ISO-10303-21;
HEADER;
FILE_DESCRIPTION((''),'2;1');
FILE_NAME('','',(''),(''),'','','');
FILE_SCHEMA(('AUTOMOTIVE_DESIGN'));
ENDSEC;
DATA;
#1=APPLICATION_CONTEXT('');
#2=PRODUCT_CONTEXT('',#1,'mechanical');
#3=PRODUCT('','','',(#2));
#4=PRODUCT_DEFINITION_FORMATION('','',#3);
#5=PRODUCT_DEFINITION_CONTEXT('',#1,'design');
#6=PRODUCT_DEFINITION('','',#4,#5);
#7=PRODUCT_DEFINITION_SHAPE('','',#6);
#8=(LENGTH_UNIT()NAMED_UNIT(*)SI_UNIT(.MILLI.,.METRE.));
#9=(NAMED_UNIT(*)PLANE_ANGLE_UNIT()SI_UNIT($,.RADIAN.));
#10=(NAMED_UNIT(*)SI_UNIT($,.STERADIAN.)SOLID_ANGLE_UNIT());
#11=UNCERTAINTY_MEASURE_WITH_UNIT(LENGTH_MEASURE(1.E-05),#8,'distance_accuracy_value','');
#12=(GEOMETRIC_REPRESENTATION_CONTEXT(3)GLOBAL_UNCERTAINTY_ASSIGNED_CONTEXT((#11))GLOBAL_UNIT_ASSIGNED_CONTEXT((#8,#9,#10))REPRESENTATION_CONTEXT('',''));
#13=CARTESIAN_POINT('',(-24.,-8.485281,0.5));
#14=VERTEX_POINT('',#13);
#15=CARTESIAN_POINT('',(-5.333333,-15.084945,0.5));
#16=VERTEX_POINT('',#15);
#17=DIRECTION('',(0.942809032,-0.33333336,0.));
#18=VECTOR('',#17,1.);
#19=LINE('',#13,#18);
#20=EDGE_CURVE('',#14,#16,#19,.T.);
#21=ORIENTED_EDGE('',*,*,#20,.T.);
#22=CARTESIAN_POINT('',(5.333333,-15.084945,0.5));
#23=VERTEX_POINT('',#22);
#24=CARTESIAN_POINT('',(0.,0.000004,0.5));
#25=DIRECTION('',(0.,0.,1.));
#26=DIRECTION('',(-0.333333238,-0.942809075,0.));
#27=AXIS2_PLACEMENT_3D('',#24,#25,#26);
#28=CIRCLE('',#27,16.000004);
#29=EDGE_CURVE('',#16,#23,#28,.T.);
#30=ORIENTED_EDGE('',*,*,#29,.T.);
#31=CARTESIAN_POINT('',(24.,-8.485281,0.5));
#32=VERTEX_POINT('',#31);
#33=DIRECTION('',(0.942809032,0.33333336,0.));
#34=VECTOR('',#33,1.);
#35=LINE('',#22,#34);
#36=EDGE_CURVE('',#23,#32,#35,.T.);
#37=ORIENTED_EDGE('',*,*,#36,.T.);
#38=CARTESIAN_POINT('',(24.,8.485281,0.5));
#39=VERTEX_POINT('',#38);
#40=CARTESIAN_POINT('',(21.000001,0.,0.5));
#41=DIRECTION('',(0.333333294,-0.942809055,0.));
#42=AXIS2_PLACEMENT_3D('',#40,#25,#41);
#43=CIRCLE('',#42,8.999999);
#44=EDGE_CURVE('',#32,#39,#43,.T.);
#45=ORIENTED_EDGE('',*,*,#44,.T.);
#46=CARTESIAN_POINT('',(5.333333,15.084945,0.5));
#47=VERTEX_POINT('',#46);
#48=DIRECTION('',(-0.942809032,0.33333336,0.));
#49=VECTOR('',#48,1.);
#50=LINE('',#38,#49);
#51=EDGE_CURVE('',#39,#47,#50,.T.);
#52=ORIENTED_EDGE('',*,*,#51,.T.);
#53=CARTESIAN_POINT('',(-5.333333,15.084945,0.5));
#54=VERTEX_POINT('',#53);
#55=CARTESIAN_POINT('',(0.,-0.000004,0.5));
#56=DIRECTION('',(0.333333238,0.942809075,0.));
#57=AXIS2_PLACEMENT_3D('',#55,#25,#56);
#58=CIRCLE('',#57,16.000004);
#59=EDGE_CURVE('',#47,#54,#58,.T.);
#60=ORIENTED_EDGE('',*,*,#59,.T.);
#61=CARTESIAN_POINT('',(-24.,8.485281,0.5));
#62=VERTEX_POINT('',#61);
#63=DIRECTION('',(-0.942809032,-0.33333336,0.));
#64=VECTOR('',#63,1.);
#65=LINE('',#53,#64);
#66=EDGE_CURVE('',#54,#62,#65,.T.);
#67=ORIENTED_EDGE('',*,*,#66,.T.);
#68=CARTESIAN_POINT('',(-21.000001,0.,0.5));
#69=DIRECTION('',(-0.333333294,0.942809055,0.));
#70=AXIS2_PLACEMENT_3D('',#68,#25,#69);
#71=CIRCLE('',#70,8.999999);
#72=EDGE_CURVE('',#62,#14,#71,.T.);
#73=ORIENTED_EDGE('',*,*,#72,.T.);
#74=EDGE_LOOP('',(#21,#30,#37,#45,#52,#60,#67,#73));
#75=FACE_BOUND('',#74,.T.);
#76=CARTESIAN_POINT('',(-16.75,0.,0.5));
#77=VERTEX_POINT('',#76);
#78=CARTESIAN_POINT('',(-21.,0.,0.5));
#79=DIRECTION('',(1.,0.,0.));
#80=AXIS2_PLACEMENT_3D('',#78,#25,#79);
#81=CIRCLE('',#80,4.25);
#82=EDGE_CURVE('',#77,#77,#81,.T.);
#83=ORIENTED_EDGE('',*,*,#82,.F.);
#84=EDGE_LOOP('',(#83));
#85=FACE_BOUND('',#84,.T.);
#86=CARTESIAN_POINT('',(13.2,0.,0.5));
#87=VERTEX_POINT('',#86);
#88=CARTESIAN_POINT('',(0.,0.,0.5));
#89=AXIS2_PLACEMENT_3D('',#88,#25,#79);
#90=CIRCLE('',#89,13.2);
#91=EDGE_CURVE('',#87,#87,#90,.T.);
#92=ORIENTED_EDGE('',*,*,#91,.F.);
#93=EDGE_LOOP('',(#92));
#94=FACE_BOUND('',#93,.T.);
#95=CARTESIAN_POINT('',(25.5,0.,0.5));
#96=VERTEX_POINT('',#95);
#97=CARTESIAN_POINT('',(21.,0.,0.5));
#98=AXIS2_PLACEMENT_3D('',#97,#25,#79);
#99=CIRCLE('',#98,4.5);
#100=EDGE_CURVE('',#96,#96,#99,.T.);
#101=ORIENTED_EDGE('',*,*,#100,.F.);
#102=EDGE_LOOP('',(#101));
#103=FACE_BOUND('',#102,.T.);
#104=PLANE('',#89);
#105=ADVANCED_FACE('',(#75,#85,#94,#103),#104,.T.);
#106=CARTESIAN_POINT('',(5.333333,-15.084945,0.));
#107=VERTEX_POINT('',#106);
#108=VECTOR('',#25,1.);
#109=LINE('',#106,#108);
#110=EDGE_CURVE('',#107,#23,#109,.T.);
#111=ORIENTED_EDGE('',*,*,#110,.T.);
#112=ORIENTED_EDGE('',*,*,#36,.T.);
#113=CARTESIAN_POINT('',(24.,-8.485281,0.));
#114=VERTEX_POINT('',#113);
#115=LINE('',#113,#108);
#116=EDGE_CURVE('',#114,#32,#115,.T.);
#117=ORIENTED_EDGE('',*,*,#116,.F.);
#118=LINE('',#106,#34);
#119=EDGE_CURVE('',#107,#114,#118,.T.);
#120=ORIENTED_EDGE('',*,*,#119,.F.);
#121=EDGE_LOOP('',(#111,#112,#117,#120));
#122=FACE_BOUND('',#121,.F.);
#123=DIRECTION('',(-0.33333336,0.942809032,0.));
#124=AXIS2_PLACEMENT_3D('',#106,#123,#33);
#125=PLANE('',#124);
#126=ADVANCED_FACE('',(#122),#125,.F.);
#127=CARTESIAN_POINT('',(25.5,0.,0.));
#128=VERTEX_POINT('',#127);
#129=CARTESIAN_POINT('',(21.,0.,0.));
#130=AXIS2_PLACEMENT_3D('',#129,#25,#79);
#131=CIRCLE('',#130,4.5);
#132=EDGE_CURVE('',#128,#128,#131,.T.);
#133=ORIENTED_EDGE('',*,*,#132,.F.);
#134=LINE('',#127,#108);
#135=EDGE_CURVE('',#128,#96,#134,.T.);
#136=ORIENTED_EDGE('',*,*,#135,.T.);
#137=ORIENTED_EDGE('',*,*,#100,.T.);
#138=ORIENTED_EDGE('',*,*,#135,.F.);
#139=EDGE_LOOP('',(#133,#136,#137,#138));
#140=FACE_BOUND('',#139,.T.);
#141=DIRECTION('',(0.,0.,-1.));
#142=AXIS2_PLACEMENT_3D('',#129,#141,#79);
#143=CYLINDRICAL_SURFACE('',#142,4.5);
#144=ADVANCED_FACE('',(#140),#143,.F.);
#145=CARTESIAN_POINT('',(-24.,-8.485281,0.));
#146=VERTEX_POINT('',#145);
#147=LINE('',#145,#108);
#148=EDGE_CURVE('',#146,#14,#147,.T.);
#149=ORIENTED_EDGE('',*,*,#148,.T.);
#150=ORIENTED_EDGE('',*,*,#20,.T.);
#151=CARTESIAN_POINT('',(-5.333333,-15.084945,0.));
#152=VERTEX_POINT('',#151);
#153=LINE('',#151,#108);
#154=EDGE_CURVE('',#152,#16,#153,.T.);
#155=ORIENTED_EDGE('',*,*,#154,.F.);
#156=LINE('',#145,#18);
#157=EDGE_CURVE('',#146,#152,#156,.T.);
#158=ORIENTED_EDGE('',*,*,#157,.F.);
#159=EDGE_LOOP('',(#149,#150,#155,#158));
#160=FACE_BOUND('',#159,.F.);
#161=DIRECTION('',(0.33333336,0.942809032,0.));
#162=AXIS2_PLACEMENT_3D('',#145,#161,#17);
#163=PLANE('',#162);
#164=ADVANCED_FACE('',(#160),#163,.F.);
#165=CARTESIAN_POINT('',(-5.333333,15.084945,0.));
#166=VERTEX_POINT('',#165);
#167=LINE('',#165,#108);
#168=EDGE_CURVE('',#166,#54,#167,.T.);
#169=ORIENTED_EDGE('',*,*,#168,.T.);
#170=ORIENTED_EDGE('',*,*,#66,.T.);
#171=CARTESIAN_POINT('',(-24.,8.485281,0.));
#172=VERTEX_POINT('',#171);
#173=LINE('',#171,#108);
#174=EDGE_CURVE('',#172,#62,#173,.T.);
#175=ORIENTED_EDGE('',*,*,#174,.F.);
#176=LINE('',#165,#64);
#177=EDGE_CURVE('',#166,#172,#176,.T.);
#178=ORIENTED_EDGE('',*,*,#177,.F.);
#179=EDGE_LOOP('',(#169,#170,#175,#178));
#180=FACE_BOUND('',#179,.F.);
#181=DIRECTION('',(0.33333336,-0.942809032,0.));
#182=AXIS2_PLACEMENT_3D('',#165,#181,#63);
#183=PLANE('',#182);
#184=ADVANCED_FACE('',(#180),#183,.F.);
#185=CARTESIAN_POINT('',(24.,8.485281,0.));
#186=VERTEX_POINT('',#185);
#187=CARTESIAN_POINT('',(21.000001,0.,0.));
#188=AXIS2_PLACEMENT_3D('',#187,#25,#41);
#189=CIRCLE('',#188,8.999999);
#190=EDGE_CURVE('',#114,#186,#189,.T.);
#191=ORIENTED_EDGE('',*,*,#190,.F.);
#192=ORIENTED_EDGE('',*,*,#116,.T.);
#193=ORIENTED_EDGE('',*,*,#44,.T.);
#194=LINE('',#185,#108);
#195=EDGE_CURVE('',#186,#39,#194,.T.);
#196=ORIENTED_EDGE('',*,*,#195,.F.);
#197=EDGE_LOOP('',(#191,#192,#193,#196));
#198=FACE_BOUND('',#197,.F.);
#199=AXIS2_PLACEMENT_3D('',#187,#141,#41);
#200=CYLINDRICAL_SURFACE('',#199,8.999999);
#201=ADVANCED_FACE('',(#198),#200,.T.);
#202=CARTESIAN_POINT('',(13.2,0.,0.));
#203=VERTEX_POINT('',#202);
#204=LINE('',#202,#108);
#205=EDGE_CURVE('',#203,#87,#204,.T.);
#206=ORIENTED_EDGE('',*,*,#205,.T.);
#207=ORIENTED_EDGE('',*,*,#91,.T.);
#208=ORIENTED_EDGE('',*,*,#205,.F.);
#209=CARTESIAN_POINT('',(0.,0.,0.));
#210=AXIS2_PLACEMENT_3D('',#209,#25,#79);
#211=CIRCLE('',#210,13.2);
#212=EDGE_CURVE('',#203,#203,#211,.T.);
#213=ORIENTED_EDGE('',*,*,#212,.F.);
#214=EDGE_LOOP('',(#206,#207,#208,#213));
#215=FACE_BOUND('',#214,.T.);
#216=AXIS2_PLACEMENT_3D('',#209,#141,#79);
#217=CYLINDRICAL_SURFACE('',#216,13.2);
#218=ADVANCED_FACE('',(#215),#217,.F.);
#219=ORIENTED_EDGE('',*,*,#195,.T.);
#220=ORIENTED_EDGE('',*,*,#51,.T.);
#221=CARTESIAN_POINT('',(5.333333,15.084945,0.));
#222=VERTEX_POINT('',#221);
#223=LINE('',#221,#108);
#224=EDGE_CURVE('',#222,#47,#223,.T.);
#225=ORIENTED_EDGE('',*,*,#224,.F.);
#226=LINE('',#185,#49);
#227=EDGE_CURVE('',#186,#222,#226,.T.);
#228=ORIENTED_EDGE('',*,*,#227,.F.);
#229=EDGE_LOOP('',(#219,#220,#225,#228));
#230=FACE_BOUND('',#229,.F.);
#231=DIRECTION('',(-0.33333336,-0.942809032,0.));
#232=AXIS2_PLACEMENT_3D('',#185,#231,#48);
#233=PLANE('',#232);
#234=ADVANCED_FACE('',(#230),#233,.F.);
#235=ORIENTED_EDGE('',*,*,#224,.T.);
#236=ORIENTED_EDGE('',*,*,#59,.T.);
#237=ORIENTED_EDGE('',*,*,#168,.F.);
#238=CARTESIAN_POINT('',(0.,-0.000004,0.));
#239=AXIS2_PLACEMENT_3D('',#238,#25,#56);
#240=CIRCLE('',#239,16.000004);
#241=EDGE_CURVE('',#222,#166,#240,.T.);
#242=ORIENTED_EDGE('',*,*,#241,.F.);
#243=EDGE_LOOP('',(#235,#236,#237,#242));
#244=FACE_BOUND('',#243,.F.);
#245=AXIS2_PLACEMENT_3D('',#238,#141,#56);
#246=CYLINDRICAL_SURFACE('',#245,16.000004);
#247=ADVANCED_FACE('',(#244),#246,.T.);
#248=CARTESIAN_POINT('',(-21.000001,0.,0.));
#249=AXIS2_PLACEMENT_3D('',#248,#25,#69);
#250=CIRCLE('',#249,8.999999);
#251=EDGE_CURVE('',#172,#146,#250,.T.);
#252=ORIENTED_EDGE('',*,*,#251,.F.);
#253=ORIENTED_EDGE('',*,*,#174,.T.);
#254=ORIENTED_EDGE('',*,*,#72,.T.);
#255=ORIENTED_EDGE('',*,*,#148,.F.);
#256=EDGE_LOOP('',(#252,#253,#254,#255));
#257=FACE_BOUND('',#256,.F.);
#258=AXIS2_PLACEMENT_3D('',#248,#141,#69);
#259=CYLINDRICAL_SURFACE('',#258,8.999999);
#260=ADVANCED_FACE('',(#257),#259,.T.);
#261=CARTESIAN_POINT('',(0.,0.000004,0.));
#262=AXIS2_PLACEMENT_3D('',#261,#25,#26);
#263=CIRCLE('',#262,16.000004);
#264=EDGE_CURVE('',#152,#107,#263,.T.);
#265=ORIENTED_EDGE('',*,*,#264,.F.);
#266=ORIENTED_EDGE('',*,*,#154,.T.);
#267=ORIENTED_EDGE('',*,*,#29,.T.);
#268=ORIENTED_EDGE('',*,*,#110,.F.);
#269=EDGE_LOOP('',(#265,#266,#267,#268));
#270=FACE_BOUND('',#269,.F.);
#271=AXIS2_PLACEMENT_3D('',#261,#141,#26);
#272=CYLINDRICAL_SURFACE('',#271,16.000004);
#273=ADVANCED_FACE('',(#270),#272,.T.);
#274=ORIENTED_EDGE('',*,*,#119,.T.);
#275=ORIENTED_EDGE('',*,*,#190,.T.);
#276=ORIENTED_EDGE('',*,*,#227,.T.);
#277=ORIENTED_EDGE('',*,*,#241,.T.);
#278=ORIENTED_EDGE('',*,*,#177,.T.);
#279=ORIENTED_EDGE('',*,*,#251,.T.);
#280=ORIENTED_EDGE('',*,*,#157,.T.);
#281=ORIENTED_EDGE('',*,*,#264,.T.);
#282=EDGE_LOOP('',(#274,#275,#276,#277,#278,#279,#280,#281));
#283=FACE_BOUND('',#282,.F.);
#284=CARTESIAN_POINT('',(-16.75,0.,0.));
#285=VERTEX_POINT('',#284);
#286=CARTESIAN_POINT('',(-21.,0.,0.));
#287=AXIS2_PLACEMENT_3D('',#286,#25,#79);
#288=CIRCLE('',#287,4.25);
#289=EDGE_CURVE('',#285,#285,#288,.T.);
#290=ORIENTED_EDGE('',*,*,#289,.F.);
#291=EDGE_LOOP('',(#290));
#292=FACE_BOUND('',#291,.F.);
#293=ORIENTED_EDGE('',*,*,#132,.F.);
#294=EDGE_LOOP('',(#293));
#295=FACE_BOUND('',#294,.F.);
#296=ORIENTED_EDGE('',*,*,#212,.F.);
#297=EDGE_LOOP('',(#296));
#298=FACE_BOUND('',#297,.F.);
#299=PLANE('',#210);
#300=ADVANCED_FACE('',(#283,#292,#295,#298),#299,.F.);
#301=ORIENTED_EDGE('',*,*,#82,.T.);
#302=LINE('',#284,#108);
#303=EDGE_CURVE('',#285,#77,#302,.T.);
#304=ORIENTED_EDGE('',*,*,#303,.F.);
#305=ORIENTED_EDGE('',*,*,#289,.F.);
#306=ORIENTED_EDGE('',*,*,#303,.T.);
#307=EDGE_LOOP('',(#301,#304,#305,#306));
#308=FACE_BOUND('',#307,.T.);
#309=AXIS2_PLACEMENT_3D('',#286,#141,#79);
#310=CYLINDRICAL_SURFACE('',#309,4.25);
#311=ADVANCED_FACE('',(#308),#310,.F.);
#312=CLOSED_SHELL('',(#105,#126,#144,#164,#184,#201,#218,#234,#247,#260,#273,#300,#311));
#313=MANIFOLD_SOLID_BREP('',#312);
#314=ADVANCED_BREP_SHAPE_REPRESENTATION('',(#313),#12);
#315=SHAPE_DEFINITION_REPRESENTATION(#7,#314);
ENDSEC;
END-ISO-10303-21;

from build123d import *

# Parameters (mm, degrees)
F1_R     = 4.25
F1_R_2   = 13.2
F1_R_3   = 4.5
F2_DEPTH = 0.5


with BuildPart() as f2:
    # F1 (on face) → F2 (new body)
    with BuildSketch(Plane.XY):
        with BuildLine():
            Line((-24, -8.485281), (-5.333333, -15.084945))
            ThreePointArc((-5.333333, -15.084945), (0, -16), (5.333333, -15.084945))
            Line((5.333333, -15.084945), (24, -8.485281))
            ThreePointArc((24, -8.485281), (30, 0), (24, 8.485281))
            Line((24, 8.485281), (5.333333, 15.084945))
            ThreePointArc((5.333333, 15.084945), (0, 16), (-5.333333, 15.084945))
            Line((-5.333333, 15.084945), (-24, 8.485281))
            ThreePointArc((-24, 8.485281), (-30, 0), (-24, -8.485281))
        make_face()
        with Locations((-21, 0)):
            Circle(F1_R, mode=Mode.SUBTRACT)
        Circle(F1_R_2, mode=Mode.SUBTRACT)
        with Locations((21, 0)):
            Circle(F1_R_3, mode=Mode.SUBTRACT)
    extrude(amount=F2_DEPTH)


solid = f2.part
